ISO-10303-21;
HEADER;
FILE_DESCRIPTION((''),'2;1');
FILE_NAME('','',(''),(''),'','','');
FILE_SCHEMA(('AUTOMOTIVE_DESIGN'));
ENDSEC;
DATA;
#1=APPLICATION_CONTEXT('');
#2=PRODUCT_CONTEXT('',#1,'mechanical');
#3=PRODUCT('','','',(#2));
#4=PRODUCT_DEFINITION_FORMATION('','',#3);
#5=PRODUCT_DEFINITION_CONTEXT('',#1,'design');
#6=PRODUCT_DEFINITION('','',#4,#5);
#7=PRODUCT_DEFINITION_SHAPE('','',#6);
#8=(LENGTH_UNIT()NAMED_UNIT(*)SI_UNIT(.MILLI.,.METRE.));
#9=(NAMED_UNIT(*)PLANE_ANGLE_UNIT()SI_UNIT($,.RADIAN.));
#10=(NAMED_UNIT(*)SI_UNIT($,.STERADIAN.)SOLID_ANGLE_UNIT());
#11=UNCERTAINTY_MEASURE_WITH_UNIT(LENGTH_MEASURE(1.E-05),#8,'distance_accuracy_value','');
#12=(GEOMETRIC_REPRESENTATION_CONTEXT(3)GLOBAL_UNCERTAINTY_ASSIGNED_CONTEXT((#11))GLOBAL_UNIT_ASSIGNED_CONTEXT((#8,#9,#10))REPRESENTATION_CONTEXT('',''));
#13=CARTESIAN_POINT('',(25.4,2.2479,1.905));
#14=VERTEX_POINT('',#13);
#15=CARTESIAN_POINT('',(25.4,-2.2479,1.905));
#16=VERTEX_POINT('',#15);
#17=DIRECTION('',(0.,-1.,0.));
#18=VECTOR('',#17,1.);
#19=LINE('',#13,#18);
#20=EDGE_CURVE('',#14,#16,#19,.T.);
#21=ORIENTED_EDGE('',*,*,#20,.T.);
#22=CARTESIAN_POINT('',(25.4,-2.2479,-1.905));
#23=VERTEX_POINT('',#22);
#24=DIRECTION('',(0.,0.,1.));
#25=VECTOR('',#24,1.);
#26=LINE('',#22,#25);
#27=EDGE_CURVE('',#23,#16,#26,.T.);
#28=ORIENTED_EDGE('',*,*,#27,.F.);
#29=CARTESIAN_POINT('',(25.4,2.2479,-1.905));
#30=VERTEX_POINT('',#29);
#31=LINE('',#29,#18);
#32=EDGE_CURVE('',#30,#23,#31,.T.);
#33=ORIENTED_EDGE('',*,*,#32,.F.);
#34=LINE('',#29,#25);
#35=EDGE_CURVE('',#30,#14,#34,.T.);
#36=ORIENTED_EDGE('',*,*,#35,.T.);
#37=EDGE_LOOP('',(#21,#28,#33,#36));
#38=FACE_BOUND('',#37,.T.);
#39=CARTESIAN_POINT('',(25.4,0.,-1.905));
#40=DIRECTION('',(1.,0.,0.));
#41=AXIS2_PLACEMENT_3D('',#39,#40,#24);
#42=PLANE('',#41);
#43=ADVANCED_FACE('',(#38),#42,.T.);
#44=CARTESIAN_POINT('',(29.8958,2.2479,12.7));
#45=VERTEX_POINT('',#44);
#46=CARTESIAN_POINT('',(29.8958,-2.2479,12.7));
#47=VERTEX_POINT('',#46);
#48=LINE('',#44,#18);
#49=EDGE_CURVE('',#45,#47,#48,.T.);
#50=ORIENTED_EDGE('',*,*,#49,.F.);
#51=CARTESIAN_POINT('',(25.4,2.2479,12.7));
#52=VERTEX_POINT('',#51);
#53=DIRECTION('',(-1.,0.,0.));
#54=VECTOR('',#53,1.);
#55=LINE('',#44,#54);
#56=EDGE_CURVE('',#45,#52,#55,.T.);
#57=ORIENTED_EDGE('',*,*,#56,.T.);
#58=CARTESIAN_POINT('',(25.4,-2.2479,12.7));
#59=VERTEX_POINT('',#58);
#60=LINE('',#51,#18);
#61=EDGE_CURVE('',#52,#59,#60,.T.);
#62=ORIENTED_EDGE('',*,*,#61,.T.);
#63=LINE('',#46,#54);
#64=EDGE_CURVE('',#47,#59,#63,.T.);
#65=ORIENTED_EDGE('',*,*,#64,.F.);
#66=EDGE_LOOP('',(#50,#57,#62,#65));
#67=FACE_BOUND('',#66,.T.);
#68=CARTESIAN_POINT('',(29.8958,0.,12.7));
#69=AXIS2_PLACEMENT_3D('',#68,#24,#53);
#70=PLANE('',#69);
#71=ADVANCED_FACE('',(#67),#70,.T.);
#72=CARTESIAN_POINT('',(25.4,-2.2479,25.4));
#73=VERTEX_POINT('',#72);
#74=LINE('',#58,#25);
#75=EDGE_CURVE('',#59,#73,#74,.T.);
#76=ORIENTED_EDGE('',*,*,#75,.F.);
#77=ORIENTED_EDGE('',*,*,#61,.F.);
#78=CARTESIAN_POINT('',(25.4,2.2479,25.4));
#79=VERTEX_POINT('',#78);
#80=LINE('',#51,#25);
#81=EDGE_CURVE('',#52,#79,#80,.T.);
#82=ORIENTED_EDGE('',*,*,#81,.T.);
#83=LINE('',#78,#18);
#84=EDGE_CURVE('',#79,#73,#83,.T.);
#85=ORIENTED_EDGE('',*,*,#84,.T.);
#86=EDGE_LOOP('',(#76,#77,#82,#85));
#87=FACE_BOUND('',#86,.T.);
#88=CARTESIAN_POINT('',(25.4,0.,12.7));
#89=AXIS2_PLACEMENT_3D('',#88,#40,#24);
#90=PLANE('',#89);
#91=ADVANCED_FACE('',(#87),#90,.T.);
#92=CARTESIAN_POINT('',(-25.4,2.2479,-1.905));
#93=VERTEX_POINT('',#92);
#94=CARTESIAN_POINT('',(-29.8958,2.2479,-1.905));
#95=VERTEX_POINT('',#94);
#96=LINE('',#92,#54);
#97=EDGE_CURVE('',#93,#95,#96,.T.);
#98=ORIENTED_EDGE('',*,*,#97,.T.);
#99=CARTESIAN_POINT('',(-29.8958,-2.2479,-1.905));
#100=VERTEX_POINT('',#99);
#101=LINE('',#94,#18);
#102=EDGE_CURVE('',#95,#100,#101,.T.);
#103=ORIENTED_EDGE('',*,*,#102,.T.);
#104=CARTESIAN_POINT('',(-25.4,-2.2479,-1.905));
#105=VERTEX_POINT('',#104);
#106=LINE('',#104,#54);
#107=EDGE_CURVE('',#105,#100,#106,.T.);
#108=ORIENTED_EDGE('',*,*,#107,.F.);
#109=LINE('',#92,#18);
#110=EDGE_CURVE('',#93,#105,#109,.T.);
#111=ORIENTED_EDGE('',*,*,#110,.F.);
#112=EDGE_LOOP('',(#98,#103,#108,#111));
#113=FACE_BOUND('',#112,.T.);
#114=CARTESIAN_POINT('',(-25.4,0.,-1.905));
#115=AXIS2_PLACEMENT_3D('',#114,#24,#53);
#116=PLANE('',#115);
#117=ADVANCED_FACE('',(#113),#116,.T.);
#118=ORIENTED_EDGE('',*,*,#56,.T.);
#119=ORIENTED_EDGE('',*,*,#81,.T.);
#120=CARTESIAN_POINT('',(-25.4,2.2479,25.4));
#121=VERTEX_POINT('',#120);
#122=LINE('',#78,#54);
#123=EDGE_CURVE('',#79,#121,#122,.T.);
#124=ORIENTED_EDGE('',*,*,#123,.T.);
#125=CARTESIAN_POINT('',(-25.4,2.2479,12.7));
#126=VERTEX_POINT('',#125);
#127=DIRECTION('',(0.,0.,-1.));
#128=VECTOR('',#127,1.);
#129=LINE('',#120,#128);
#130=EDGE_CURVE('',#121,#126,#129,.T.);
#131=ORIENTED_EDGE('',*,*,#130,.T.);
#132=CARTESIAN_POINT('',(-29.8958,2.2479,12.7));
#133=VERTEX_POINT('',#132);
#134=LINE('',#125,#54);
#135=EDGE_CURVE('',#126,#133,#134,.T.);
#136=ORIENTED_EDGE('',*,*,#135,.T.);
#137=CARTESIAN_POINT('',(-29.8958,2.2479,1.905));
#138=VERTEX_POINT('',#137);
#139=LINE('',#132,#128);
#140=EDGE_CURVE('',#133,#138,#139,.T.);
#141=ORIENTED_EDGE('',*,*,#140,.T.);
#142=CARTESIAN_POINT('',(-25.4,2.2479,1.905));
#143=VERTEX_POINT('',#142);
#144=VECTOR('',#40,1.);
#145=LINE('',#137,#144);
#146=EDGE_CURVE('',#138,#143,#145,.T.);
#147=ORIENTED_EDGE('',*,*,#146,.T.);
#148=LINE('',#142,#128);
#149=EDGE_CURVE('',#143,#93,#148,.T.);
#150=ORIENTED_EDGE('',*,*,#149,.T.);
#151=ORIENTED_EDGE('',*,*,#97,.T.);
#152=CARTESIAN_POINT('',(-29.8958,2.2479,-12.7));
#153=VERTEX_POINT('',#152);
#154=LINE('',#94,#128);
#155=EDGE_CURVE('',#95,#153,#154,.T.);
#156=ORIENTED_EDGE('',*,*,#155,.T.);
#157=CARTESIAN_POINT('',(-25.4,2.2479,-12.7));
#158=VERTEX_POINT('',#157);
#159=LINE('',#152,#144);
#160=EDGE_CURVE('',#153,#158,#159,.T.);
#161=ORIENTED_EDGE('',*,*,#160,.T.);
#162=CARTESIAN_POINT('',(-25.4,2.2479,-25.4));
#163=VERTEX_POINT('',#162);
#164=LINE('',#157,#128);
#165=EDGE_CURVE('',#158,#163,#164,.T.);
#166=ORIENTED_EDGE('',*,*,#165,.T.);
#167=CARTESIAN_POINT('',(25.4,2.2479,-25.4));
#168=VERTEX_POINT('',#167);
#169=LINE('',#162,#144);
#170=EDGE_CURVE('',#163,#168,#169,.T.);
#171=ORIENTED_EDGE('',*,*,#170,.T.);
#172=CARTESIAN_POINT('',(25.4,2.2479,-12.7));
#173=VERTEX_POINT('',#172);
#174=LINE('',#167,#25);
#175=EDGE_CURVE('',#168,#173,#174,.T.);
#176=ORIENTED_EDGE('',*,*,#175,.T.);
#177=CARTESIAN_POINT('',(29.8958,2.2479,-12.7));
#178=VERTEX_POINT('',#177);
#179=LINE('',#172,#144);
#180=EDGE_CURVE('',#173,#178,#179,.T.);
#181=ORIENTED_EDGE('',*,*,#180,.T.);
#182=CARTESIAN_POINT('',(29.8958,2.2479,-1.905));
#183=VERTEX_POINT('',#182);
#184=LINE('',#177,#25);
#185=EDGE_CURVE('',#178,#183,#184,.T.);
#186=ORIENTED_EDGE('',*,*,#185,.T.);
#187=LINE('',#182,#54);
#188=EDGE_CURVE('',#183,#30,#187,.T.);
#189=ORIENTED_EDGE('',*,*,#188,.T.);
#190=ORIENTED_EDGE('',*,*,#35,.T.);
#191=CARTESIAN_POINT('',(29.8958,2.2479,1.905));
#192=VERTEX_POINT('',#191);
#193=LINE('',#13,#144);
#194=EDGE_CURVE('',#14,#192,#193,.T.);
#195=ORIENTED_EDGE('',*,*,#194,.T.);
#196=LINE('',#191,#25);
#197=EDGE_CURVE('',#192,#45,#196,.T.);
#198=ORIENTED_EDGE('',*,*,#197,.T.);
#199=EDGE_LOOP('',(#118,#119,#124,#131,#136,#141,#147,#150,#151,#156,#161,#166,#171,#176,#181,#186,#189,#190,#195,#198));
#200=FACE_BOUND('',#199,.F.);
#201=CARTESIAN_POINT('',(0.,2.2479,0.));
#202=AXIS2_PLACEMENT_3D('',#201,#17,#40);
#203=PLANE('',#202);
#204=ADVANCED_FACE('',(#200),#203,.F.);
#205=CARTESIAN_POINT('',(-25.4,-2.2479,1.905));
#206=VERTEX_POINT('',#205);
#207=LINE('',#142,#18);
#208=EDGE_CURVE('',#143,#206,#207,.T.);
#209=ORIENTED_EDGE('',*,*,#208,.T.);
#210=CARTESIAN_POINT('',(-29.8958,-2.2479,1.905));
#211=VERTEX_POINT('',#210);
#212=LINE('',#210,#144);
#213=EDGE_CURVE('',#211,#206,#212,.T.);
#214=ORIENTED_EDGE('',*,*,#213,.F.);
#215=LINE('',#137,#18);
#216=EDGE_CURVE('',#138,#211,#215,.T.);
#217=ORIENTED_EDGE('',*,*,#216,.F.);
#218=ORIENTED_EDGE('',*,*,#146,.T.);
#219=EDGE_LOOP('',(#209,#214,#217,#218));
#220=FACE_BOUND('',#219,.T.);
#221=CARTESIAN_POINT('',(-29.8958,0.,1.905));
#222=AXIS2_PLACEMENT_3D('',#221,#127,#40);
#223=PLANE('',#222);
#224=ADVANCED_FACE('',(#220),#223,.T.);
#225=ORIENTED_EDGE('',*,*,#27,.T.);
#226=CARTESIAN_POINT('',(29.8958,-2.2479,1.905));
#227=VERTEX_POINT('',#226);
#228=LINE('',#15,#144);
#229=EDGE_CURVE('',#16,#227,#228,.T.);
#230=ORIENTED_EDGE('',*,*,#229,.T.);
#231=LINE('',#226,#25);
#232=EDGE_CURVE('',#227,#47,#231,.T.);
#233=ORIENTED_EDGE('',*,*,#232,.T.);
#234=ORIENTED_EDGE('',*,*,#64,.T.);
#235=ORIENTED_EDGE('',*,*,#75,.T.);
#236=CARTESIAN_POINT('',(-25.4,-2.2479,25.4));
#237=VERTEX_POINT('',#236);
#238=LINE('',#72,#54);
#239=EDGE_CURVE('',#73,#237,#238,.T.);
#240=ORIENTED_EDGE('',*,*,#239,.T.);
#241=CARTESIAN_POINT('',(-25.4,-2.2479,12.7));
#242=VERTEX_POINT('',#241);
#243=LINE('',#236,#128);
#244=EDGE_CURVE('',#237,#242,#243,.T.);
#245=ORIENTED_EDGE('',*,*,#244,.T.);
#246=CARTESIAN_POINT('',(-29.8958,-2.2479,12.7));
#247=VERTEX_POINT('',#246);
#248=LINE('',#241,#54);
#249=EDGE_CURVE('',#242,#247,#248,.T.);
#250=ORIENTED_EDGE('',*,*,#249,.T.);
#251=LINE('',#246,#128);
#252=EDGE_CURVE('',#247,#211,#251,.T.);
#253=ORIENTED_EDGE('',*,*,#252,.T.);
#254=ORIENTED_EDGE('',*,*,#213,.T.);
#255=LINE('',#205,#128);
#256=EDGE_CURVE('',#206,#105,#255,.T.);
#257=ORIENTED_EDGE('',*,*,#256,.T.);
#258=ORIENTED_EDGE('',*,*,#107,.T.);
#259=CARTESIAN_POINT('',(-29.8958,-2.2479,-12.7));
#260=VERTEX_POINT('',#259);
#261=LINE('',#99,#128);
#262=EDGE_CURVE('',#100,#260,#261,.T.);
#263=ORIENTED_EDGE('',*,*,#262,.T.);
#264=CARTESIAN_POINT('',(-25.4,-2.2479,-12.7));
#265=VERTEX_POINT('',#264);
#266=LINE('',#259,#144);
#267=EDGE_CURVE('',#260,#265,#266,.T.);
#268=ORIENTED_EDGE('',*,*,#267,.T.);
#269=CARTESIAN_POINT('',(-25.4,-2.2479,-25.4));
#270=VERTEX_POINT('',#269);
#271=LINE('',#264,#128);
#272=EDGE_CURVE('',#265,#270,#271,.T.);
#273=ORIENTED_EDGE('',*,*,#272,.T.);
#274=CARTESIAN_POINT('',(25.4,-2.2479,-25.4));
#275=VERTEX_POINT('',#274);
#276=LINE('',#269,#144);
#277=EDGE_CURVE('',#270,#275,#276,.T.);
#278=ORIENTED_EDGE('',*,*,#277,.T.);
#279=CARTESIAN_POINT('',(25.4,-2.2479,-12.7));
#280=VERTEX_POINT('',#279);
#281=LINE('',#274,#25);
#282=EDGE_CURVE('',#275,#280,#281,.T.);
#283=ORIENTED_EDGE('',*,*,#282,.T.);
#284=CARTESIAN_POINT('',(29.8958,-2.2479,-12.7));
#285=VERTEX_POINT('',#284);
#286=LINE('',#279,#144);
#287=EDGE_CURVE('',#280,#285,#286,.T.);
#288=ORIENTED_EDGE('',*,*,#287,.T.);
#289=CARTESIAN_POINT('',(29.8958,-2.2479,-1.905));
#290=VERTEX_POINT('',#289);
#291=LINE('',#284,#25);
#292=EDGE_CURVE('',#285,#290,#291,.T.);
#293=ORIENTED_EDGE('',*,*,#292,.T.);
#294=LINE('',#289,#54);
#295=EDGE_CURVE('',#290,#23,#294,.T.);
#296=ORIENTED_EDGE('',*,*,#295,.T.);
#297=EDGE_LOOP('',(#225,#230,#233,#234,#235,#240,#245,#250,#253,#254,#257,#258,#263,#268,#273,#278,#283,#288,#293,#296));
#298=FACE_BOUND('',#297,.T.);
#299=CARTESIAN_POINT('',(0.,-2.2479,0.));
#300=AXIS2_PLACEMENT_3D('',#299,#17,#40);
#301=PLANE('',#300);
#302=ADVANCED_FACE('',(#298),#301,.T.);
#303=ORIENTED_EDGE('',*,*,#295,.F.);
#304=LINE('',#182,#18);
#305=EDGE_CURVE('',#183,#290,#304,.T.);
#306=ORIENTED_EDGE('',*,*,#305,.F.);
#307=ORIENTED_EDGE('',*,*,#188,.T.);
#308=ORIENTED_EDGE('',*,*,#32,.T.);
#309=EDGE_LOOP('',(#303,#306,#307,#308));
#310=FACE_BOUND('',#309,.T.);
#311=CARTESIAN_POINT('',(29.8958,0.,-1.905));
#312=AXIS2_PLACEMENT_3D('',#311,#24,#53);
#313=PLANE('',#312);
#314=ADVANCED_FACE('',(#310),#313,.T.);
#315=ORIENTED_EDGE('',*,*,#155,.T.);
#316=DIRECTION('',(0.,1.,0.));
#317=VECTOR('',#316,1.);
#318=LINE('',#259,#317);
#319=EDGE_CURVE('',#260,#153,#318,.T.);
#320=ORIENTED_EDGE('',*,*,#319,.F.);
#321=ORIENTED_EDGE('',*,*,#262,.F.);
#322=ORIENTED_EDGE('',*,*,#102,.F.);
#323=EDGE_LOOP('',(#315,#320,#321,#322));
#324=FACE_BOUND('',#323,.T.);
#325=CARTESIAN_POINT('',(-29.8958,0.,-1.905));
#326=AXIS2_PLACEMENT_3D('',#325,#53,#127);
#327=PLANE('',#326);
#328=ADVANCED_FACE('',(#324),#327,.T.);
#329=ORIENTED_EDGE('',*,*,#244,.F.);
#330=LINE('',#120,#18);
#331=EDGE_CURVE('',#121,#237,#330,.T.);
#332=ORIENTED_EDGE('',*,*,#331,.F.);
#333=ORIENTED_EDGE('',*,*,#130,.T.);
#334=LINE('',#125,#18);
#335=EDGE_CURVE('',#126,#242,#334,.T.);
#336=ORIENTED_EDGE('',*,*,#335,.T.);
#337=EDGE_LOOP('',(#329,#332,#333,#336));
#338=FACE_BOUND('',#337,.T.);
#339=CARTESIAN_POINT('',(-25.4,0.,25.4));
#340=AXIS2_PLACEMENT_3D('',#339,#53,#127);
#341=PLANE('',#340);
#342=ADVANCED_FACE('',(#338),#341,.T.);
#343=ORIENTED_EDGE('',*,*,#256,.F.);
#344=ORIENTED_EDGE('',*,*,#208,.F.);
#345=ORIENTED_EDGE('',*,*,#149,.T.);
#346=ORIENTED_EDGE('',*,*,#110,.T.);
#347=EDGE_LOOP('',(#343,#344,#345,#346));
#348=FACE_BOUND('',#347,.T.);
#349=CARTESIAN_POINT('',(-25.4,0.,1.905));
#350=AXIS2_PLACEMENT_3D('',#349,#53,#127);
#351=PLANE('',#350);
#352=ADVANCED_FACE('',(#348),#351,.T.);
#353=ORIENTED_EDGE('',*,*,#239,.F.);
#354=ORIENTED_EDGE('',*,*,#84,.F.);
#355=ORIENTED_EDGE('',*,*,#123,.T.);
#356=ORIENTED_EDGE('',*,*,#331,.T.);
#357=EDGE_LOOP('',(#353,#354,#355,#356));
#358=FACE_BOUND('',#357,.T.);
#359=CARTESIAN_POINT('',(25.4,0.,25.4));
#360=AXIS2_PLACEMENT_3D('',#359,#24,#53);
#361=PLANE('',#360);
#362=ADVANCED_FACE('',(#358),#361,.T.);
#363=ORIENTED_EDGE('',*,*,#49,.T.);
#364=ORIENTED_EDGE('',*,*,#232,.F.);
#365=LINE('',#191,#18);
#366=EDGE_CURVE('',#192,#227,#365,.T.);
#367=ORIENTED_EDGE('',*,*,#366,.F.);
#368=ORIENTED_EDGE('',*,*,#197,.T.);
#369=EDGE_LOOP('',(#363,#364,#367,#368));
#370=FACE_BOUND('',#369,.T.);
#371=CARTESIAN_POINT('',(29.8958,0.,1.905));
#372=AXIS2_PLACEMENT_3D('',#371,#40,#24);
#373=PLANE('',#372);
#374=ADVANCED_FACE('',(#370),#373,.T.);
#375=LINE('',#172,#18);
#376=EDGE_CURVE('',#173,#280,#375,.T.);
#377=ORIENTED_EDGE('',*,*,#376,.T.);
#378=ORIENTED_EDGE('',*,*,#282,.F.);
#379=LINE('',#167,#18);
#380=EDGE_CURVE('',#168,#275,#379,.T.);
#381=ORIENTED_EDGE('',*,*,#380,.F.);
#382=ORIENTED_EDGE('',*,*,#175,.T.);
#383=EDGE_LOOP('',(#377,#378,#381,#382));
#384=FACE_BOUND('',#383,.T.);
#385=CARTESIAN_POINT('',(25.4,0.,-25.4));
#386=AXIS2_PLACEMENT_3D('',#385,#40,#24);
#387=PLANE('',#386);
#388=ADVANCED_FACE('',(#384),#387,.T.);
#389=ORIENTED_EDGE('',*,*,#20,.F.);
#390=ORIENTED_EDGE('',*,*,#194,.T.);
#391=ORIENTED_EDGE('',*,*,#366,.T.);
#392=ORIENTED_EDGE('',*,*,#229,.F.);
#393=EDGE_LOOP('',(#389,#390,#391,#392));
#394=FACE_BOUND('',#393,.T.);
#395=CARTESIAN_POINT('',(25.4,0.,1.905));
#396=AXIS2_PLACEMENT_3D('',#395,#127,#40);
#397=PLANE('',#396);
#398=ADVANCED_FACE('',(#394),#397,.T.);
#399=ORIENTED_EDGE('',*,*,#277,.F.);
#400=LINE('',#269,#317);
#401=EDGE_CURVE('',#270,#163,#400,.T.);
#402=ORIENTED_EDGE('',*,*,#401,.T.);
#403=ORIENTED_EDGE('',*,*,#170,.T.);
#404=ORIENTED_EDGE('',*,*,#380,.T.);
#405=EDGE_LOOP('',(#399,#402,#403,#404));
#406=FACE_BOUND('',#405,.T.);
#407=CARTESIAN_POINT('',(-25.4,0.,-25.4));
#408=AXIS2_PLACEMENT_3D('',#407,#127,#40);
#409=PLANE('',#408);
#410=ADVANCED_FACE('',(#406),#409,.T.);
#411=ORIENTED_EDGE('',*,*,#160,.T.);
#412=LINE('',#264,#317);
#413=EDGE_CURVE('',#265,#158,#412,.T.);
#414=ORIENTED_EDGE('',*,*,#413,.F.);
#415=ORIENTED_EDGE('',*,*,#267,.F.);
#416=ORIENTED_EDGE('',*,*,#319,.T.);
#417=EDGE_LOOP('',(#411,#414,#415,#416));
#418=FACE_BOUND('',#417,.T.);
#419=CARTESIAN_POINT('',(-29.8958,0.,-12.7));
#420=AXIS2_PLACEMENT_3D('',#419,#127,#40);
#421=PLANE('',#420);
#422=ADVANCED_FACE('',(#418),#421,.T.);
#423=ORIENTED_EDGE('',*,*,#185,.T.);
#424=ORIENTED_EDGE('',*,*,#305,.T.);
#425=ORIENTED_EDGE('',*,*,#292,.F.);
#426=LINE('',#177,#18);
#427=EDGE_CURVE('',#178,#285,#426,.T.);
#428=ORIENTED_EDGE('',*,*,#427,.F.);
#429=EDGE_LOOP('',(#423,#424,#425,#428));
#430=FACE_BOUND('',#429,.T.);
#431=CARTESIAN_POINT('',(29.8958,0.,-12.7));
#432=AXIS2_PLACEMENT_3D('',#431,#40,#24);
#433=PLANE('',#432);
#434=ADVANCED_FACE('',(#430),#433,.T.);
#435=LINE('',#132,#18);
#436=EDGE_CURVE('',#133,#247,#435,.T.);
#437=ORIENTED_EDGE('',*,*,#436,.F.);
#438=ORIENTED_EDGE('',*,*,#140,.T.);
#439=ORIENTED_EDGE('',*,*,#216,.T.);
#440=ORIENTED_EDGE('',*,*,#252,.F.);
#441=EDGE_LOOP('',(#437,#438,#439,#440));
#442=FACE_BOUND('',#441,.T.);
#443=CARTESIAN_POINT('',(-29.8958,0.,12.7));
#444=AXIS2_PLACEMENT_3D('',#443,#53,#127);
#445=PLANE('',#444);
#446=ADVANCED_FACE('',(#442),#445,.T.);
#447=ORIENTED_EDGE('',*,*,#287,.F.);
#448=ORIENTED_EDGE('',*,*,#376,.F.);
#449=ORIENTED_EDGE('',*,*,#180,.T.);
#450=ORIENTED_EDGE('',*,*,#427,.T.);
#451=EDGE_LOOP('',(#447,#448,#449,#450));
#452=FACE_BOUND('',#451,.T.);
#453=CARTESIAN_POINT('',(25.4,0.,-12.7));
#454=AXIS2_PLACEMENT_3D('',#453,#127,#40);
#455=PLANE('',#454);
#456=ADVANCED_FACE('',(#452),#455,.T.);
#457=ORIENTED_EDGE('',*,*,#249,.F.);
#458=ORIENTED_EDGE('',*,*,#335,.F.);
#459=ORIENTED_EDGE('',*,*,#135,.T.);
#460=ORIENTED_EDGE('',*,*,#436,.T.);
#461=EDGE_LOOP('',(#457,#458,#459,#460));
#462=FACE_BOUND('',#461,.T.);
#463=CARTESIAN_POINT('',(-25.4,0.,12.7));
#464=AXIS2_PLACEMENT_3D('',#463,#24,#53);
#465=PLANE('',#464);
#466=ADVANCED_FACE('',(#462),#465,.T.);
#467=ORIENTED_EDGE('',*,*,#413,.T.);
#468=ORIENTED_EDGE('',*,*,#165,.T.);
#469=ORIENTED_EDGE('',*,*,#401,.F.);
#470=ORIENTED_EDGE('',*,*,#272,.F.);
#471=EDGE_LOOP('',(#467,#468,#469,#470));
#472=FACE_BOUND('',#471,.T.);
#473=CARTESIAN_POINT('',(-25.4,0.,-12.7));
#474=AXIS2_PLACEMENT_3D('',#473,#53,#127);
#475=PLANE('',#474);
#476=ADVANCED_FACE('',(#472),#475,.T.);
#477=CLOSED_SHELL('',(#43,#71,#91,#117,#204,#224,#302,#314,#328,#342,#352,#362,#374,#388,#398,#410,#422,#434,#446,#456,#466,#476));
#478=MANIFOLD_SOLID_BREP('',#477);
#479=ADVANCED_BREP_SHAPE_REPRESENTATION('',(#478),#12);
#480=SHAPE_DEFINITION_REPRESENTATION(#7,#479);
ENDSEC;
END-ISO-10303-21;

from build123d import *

# Parameters (mm, degrees)
F1_DEPTH = 2.2479


with BuildPart() as f1:
    # F0 (on Front) → F1 (new body, symmetric)
    with BuildSketch(Plane.XZ):
        Polygon((-25.4, -25.4), (25.4, -25.4), (25.4, -12.7), (29.8958, -12.7), (29.8958, -1.905), (25.4, -1.905), (25.4, 1.905), (29.8958, 1.905), (29.8958, 12.7), (25.4, 12.7), (25.4, 25.4), (-25.4, 25.4), (-25.4, 12.7), (-29.8958, 12.7), (-29.8958, 1.905), (-25.4, 1.905), (-25.4, -1.905), (-29.8958, -1.905), (-29.8958, -12.7), (-25.4, -12.7), align=None)
    extrude(amount=F1_DEPTH, both=True)


solid = f1.part
